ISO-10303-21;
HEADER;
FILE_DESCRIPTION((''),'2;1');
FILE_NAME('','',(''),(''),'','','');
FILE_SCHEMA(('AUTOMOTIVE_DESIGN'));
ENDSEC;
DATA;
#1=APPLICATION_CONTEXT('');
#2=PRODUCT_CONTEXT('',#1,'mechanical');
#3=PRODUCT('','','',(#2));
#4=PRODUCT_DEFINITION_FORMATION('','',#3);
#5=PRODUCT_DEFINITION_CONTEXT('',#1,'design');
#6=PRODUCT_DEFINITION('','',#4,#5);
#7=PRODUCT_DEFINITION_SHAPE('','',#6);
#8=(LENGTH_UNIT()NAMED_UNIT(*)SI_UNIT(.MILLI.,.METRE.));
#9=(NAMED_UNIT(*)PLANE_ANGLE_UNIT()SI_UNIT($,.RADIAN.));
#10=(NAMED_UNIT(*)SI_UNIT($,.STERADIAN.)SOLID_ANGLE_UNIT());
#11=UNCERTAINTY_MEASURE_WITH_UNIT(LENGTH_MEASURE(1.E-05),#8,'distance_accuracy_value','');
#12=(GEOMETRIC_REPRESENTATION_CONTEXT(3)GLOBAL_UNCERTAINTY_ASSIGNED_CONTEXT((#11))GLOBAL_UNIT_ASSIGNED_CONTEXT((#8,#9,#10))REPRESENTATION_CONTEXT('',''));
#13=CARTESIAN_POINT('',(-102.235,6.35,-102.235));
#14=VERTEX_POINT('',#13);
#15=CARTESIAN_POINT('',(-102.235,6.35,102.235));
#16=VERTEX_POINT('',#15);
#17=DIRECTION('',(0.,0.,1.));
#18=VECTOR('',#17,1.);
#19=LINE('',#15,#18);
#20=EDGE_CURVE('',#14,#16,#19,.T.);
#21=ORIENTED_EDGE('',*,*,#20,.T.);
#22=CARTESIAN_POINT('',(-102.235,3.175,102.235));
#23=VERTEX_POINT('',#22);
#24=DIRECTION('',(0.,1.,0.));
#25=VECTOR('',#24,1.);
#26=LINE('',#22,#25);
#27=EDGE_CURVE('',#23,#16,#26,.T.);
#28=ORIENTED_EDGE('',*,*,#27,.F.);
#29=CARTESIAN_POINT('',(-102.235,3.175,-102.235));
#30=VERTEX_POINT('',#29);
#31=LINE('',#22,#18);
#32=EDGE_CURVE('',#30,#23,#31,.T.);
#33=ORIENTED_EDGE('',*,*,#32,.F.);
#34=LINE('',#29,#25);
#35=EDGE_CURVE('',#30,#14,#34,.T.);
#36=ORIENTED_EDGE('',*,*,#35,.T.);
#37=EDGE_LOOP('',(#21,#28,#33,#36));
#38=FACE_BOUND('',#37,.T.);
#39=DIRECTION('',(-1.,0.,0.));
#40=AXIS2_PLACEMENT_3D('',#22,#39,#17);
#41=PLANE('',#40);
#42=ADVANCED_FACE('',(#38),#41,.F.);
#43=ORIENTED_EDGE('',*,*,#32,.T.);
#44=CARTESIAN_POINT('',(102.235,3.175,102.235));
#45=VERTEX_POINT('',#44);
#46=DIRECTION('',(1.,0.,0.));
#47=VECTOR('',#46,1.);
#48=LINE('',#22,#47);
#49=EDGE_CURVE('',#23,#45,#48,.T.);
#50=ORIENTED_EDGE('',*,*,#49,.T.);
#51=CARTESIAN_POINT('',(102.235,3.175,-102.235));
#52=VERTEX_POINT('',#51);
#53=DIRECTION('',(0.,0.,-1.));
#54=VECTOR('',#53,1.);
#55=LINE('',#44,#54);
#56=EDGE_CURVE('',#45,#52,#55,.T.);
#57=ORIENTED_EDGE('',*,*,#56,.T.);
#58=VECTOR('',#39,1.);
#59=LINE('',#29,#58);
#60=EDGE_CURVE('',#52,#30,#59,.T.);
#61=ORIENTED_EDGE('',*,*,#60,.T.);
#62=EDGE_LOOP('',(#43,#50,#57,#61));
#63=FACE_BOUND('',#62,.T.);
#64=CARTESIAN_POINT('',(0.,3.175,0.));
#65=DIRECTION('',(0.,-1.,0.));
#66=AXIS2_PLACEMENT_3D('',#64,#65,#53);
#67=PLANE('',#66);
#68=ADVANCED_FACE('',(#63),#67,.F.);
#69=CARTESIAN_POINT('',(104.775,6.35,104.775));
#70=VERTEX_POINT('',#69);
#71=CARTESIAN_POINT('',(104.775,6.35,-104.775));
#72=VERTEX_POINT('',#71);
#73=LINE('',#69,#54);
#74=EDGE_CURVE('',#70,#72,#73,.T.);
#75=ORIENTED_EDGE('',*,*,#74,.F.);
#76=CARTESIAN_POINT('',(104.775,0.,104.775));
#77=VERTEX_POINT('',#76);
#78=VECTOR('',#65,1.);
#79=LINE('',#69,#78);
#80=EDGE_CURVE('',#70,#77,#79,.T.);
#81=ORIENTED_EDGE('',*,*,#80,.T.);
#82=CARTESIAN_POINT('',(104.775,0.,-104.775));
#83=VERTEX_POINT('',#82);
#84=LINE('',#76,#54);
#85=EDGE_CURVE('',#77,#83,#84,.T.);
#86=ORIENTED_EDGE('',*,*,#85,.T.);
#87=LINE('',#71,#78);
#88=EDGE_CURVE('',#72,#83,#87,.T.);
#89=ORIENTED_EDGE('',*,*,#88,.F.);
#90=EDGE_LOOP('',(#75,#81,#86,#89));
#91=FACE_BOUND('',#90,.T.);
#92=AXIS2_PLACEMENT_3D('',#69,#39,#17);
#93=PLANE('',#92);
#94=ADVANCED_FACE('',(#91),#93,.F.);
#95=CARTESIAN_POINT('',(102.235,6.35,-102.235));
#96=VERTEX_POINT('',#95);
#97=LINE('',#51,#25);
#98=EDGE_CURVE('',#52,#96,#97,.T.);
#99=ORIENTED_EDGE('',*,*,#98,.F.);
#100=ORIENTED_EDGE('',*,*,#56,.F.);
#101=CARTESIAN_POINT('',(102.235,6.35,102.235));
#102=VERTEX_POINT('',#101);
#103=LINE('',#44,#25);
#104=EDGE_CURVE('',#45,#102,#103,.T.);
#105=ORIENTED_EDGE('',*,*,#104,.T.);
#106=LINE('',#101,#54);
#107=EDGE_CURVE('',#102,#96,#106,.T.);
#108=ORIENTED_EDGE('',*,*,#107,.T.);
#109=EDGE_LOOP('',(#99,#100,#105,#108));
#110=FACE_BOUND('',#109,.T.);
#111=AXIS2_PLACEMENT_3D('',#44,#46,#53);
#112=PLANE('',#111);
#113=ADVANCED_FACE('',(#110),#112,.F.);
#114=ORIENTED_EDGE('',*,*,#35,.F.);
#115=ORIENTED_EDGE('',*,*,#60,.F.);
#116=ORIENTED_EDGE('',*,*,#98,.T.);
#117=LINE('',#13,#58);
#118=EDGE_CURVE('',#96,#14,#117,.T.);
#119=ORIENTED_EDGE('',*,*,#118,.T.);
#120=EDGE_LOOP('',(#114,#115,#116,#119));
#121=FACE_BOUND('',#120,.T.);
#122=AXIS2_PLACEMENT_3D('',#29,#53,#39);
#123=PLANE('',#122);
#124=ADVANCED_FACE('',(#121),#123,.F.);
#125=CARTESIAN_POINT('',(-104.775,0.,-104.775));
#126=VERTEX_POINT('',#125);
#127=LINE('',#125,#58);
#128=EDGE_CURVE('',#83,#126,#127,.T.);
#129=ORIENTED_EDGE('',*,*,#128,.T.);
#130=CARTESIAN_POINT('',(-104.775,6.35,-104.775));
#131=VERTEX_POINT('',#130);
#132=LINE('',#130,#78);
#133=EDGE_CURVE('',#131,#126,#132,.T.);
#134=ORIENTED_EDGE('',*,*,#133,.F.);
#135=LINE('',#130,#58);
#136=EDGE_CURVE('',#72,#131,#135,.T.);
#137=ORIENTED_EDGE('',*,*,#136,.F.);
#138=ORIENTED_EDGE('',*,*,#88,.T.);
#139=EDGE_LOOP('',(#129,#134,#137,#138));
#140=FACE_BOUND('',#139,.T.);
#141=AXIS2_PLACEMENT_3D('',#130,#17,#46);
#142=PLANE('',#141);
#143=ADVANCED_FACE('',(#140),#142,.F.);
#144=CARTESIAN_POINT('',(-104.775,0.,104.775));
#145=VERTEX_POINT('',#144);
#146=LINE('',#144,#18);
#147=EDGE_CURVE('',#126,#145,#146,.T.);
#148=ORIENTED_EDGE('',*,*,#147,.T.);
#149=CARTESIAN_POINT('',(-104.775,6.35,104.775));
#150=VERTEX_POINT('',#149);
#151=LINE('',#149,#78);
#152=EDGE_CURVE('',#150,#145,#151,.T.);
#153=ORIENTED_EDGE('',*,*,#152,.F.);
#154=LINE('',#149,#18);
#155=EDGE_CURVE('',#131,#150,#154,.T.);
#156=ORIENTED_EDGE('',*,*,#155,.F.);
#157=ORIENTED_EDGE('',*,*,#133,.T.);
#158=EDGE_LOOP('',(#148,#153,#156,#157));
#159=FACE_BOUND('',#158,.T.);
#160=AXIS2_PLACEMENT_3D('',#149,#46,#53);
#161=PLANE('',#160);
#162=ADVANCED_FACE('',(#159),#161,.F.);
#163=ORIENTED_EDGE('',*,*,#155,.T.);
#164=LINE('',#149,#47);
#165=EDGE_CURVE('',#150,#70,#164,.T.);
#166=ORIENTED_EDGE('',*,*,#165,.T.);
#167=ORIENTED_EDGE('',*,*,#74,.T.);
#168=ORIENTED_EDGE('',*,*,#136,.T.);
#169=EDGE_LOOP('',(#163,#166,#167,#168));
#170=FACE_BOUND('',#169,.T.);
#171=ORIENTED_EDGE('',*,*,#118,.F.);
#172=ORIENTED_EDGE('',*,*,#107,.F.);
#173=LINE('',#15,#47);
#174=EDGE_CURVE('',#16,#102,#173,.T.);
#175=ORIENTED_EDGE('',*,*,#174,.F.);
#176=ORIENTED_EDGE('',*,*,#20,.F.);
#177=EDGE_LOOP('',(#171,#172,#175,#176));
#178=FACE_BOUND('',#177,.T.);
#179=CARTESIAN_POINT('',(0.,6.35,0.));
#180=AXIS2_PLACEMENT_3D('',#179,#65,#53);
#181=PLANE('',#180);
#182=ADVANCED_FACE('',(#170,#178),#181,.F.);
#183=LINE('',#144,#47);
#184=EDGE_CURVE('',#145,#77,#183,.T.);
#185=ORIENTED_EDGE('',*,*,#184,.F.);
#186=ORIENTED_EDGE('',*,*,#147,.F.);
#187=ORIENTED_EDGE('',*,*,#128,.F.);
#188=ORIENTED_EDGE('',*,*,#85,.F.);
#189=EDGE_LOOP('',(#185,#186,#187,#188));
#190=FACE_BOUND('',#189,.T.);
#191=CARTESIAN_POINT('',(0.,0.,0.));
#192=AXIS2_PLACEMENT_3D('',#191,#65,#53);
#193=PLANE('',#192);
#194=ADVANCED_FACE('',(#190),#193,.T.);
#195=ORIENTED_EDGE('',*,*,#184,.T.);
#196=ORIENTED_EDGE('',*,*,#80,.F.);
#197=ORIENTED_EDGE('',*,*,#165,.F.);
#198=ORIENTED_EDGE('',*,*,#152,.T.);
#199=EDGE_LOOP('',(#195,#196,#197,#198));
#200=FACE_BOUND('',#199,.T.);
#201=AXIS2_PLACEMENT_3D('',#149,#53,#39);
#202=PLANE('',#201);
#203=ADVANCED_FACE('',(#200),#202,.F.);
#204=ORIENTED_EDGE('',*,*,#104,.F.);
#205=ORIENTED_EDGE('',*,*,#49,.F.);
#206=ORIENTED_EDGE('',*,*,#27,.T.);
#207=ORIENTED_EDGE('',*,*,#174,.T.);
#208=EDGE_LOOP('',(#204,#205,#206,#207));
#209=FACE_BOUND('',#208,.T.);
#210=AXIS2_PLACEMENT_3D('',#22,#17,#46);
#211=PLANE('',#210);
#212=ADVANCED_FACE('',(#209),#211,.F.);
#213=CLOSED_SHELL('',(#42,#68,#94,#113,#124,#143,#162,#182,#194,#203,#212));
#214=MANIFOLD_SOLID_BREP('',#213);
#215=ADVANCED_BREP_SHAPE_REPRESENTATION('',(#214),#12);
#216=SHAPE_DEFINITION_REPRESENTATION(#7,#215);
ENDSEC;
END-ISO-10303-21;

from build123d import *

# Parameters (mm, degrees)
SKETCH1_W           = 209.55
SKETCH1_H           = 209.55
BOSS_EXTRUDE1_DEPTH = 6.35
SKETCH2_W           = 204.47
SKETCH2_H           = 204.47
CUT_EXTRUDE1_DEPTH  = 3.175


with BuildPart() as part:
    # Sketch1 → Boss-Extrude1 (new body)
    with BuildSketch(Plane(origin=(0, 0, 0), x_dir=(1, 0, 0), z_dir=(0, 1, 0))):
        Rectangle(SKETCH1_W, SKETCH1_H)
    extrude(amount=BOSS_EXTRUDE1_DEPTH)

    # Sketch2 → Cut-Extrude1 (cut)
    with BuildSketch(Plane(origin=(0, 6.35, 0), x_dir=(1, 0, 0), z_dir=(0, 1, 0))):
        Rectangle(SKETCH2_W, SKETCH2_H)
    extrude(amount=-CUT_EXTRUDE1_DEPTH, mode=Mode.SUBTRACT)


solid = part.part
